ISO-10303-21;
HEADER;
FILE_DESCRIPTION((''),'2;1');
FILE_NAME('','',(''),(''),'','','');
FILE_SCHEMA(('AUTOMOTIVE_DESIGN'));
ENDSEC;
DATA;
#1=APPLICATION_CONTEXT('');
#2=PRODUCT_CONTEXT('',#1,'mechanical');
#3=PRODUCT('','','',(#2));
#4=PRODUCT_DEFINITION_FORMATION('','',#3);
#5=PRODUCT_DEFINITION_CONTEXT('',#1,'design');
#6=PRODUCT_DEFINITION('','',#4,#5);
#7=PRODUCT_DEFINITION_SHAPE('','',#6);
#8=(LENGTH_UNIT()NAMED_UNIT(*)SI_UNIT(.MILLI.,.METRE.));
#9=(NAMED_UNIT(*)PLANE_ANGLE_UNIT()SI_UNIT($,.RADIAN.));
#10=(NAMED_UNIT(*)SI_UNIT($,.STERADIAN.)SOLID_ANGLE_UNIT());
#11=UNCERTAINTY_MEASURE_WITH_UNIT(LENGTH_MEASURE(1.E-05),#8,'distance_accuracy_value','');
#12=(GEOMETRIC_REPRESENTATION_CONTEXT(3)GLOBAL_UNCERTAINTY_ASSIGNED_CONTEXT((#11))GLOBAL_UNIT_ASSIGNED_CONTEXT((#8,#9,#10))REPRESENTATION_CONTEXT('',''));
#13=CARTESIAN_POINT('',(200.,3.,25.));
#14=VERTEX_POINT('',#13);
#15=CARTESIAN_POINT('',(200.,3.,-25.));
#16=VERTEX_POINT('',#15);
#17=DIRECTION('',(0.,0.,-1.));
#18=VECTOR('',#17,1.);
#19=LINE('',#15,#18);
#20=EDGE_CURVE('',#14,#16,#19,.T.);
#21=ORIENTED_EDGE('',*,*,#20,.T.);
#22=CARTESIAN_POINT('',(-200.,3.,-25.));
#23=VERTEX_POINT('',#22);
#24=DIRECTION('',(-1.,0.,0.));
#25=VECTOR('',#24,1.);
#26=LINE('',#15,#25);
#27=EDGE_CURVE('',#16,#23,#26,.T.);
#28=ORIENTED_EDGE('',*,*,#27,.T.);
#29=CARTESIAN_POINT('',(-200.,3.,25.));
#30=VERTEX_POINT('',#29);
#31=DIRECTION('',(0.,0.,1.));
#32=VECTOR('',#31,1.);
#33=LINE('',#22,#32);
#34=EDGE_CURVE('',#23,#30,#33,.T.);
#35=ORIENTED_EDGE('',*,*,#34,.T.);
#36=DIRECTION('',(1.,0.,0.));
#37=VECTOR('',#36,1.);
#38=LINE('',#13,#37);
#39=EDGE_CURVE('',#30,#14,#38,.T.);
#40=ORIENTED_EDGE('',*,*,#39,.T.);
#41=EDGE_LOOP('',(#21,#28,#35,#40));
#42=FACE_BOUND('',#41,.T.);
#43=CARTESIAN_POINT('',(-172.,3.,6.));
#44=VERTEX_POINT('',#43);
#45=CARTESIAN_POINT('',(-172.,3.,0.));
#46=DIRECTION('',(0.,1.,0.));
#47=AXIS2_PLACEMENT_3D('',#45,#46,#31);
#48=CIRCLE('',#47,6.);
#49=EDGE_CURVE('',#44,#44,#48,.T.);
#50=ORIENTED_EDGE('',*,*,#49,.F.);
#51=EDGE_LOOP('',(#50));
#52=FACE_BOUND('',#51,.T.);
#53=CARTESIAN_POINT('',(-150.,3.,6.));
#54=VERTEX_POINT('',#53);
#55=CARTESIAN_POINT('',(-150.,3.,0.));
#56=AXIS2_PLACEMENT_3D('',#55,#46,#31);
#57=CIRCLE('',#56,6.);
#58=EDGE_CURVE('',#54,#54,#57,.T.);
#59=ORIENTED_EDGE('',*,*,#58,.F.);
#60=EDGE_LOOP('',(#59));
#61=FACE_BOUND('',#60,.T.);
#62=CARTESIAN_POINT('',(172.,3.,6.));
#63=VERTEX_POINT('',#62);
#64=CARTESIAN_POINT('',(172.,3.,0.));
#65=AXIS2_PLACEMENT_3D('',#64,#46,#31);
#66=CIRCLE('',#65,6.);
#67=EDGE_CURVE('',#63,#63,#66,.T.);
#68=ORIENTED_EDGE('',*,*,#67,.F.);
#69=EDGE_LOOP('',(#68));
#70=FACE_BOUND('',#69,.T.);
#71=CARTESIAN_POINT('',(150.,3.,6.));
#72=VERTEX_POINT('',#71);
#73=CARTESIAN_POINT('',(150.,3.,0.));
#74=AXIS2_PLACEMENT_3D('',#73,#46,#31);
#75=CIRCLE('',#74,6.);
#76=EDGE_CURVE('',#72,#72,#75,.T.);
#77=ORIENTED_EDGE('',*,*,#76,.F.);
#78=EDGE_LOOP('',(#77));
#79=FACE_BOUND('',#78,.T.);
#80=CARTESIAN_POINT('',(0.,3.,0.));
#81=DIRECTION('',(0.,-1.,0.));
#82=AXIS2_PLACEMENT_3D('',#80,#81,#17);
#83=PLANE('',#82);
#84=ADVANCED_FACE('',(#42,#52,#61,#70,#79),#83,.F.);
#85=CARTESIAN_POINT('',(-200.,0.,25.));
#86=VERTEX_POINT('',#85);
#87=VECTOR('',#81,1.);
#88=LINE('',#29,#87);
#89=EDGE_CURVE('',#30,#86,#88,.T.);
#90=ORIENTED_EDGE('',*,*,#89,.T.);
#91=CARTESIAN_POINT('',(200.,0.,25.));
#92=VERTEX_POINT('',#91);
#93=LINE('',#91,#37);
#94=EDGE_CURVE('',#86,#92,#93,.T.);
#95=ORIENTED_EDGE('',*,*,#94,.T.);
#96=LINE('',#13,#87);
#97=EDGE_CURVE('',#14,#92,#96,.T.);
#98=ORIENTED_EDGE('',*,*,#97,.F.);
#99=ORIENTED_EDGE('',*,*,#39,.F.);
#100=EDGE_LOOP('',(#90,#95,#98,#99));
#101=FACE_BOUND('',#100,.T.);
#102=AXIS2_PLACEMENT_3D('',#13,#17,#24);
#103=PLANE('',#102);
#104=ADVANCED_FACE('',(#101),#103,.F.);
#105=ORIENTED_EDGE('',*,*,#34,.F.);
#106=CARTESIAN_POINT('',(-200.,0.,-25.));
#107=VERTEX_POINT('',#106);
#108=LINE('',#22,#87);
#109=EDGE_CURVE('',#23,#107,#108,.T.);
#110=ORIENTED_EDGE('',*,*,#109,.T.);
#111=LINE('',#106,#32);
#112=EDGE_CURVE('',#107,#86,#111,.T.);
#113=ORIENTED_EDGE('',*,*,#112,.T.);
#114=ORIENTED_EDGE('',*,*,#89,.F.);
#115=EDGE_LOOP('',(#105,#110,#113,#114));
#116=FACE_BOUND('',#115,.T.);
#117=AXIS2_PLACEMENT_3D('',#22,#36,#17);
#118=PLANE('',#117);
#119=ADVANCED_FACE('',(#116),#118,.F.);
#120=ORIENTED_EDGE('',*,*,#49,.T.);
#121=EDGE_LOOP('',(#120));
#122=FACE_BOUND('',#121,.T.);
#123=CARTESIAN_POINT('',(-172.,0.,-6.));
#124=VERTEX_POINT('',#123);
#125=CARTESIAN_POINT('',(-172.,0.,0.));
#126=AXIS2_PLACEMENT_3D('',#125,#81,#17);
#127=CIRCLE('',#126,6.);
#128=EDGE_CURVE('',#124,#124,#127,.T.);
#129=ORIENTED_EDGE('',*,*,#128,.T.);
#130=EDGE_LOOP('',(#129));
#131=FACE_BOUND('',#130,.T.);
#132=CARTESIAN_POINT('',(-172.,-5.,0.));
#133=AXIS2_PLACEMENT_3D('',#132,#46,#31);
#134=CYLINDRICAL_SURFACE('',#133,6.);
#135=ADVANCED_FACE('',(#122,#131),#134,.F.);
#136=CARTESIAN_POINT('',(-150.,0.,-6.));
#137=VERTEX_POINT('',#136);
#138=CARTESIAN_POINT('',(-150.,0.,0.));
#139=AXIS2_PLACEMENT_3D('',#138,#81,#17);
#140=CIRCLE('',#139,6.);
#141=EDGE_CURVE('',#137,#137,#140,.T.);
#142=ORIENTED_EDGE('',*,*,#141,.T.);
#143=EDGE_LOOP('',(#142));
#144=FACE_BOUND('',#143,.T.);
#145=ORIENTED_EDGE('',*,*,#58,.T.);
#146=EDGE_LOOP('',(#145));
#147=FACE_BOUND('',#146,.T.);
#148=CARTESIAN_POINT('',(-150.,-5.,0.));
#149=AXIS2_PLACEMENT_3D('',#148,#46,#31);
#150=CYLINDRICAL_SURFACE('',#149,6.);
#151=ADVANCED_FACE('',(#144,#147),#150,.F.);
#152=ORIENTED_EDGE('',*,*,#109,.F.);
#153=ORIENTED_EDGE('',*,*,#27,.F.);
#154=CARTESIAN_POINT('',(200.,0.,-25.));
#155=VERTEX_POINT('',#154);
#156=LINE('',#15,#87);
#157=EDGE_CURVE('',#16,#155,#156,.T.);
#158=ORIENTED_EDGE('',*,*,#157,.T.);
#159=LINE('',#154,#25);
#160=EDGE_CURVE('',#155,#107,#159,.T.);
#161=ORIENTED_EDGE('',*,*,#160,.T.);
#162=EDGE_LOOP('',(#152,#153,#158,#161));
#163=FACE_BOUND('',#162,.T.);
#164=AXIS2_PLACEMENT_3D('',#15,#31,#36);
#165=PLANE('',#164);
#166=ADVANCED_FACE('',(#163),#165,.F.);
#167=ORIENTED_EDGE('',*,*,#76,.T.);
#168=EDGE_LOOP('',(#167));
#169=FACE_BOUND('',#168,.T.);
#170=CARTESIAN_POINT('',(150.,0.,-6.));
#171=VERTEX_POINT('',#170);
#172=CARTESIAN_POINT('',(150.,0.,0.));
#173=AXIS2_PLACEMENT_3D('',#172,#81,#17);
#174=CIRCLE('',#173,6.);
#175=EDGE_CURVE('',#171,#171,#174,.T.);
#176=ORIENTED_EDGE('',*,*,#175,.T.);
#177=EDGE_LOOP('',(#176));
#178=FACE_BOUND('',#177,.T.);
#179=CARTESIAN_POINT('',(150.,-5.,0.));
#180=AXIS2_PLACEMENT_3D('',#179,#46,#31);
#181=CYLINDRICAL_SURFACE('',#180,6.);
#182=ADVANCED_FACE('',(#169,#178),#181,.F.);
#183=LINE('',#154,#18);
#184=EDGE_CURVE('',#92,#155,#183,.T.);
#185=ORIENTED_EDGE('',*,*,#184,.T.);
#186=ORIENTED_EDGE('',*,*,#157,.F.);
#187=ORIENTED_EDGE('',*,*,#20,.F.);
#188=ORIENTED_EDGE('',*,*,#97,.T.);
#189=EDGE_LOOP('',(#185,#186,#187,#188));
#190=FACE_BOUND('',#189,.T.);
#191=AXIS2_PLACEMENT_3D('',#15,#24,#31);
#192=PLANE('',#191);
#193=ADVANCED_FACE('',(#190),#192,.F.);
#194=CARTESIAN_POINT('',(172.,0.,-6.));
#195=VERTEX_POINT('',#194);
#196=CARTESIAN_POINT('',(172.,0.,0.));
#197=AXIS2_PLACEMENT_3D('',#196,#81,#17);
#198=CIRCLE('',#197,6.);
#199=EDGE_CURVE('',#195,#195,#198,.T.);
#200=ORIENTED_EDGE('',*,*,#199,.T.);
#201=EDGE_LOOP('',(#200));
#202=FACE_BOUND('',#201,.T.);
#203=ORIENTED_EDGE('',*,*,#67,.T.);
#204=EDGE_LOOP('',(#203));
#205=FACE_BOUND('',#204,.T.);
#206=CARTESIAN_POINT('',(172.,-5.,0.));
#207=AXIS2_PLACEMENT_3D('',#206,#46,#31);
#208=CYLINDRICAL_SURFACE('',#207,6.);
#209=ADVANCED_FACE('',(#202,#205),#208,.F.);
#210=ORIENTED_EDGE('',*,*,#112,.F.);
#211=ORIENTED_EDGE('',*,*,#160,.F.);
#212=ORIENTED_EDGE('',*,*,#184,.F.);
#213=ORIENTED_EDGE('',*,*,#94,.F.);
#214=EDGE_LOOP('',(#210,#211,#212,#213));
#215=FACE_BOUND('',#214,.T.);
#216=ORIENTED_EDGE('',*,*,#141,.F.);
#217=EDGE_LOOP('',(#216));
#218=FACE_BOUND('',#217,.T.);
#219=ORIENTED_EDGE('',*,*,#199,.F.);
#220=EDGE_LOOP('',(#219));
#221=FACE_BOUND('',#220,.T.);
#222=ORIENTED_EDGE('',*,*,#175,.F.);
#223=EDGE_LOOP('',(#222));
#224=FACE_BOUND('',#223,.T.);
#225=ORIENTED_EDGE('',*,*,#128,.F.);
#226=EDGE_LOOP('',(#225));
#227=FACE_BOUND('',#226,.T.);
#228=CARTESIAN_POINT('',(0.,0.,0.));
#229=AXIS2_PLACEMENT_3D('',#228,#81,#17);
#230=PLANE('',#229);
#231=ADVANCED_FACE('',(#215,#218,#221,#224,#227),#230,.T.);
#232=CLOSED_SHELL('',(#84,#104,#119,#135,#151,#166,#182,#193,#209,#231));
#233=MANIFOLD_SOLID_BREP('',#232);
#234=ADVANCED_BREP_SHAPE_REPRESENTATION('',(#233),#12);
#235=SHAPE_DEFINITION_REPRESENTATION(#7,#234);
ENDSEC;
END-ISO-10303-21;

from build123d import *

# Parameters (mm, degrees)
SKETCH_1_W          = 400
SKETCH_1_H          = 50
EXTRUDE_1_DEPTH     = 3
SKETCH_2_R          = 6
CUT_EXTRUDE_1_DEPTH = 8


with BuildPart() as part:
    # 草图1 → 凸台-拉伸1 (new body)
    with BuildSketch(Plane(origin=(0, 0, 0), x_dir=(1, 0, 0), z_dir=(0, 1, 0))):
        Rectangle(SKETCH_1_W, SKETCH_1_H)
    extrude(amount=EXTRUDE_1_DEPTH)

    # 草图2 → 切除-拉伸1 (cut)
    with BuildSketch(Plane(origin=(0, 3, 0), x_dir=(1, 0, 0), z_dir=(0, 1, 0))):
        with Locations(Location((-172, 0, 0), (0, 0, 270))):
            Circle(SKETCH_2_R)
        with Locations(Location((-150, 0, 0), (0, 0, 270))):
            Circle(SKETCH_2_R)
        with Locations(Location((150, 0, 0), (0, 0, 270))):
            Circle(SKETCH_2_R)
        with Locations(Location((172, 0, 0), (0, 0, 270))):
            Circle(SKETCH_2_R)
    extrude(amount=-CUT_EXTRUDE_1_DEPTH, mode=Mode.SUBTRACT)


solid = part.part
